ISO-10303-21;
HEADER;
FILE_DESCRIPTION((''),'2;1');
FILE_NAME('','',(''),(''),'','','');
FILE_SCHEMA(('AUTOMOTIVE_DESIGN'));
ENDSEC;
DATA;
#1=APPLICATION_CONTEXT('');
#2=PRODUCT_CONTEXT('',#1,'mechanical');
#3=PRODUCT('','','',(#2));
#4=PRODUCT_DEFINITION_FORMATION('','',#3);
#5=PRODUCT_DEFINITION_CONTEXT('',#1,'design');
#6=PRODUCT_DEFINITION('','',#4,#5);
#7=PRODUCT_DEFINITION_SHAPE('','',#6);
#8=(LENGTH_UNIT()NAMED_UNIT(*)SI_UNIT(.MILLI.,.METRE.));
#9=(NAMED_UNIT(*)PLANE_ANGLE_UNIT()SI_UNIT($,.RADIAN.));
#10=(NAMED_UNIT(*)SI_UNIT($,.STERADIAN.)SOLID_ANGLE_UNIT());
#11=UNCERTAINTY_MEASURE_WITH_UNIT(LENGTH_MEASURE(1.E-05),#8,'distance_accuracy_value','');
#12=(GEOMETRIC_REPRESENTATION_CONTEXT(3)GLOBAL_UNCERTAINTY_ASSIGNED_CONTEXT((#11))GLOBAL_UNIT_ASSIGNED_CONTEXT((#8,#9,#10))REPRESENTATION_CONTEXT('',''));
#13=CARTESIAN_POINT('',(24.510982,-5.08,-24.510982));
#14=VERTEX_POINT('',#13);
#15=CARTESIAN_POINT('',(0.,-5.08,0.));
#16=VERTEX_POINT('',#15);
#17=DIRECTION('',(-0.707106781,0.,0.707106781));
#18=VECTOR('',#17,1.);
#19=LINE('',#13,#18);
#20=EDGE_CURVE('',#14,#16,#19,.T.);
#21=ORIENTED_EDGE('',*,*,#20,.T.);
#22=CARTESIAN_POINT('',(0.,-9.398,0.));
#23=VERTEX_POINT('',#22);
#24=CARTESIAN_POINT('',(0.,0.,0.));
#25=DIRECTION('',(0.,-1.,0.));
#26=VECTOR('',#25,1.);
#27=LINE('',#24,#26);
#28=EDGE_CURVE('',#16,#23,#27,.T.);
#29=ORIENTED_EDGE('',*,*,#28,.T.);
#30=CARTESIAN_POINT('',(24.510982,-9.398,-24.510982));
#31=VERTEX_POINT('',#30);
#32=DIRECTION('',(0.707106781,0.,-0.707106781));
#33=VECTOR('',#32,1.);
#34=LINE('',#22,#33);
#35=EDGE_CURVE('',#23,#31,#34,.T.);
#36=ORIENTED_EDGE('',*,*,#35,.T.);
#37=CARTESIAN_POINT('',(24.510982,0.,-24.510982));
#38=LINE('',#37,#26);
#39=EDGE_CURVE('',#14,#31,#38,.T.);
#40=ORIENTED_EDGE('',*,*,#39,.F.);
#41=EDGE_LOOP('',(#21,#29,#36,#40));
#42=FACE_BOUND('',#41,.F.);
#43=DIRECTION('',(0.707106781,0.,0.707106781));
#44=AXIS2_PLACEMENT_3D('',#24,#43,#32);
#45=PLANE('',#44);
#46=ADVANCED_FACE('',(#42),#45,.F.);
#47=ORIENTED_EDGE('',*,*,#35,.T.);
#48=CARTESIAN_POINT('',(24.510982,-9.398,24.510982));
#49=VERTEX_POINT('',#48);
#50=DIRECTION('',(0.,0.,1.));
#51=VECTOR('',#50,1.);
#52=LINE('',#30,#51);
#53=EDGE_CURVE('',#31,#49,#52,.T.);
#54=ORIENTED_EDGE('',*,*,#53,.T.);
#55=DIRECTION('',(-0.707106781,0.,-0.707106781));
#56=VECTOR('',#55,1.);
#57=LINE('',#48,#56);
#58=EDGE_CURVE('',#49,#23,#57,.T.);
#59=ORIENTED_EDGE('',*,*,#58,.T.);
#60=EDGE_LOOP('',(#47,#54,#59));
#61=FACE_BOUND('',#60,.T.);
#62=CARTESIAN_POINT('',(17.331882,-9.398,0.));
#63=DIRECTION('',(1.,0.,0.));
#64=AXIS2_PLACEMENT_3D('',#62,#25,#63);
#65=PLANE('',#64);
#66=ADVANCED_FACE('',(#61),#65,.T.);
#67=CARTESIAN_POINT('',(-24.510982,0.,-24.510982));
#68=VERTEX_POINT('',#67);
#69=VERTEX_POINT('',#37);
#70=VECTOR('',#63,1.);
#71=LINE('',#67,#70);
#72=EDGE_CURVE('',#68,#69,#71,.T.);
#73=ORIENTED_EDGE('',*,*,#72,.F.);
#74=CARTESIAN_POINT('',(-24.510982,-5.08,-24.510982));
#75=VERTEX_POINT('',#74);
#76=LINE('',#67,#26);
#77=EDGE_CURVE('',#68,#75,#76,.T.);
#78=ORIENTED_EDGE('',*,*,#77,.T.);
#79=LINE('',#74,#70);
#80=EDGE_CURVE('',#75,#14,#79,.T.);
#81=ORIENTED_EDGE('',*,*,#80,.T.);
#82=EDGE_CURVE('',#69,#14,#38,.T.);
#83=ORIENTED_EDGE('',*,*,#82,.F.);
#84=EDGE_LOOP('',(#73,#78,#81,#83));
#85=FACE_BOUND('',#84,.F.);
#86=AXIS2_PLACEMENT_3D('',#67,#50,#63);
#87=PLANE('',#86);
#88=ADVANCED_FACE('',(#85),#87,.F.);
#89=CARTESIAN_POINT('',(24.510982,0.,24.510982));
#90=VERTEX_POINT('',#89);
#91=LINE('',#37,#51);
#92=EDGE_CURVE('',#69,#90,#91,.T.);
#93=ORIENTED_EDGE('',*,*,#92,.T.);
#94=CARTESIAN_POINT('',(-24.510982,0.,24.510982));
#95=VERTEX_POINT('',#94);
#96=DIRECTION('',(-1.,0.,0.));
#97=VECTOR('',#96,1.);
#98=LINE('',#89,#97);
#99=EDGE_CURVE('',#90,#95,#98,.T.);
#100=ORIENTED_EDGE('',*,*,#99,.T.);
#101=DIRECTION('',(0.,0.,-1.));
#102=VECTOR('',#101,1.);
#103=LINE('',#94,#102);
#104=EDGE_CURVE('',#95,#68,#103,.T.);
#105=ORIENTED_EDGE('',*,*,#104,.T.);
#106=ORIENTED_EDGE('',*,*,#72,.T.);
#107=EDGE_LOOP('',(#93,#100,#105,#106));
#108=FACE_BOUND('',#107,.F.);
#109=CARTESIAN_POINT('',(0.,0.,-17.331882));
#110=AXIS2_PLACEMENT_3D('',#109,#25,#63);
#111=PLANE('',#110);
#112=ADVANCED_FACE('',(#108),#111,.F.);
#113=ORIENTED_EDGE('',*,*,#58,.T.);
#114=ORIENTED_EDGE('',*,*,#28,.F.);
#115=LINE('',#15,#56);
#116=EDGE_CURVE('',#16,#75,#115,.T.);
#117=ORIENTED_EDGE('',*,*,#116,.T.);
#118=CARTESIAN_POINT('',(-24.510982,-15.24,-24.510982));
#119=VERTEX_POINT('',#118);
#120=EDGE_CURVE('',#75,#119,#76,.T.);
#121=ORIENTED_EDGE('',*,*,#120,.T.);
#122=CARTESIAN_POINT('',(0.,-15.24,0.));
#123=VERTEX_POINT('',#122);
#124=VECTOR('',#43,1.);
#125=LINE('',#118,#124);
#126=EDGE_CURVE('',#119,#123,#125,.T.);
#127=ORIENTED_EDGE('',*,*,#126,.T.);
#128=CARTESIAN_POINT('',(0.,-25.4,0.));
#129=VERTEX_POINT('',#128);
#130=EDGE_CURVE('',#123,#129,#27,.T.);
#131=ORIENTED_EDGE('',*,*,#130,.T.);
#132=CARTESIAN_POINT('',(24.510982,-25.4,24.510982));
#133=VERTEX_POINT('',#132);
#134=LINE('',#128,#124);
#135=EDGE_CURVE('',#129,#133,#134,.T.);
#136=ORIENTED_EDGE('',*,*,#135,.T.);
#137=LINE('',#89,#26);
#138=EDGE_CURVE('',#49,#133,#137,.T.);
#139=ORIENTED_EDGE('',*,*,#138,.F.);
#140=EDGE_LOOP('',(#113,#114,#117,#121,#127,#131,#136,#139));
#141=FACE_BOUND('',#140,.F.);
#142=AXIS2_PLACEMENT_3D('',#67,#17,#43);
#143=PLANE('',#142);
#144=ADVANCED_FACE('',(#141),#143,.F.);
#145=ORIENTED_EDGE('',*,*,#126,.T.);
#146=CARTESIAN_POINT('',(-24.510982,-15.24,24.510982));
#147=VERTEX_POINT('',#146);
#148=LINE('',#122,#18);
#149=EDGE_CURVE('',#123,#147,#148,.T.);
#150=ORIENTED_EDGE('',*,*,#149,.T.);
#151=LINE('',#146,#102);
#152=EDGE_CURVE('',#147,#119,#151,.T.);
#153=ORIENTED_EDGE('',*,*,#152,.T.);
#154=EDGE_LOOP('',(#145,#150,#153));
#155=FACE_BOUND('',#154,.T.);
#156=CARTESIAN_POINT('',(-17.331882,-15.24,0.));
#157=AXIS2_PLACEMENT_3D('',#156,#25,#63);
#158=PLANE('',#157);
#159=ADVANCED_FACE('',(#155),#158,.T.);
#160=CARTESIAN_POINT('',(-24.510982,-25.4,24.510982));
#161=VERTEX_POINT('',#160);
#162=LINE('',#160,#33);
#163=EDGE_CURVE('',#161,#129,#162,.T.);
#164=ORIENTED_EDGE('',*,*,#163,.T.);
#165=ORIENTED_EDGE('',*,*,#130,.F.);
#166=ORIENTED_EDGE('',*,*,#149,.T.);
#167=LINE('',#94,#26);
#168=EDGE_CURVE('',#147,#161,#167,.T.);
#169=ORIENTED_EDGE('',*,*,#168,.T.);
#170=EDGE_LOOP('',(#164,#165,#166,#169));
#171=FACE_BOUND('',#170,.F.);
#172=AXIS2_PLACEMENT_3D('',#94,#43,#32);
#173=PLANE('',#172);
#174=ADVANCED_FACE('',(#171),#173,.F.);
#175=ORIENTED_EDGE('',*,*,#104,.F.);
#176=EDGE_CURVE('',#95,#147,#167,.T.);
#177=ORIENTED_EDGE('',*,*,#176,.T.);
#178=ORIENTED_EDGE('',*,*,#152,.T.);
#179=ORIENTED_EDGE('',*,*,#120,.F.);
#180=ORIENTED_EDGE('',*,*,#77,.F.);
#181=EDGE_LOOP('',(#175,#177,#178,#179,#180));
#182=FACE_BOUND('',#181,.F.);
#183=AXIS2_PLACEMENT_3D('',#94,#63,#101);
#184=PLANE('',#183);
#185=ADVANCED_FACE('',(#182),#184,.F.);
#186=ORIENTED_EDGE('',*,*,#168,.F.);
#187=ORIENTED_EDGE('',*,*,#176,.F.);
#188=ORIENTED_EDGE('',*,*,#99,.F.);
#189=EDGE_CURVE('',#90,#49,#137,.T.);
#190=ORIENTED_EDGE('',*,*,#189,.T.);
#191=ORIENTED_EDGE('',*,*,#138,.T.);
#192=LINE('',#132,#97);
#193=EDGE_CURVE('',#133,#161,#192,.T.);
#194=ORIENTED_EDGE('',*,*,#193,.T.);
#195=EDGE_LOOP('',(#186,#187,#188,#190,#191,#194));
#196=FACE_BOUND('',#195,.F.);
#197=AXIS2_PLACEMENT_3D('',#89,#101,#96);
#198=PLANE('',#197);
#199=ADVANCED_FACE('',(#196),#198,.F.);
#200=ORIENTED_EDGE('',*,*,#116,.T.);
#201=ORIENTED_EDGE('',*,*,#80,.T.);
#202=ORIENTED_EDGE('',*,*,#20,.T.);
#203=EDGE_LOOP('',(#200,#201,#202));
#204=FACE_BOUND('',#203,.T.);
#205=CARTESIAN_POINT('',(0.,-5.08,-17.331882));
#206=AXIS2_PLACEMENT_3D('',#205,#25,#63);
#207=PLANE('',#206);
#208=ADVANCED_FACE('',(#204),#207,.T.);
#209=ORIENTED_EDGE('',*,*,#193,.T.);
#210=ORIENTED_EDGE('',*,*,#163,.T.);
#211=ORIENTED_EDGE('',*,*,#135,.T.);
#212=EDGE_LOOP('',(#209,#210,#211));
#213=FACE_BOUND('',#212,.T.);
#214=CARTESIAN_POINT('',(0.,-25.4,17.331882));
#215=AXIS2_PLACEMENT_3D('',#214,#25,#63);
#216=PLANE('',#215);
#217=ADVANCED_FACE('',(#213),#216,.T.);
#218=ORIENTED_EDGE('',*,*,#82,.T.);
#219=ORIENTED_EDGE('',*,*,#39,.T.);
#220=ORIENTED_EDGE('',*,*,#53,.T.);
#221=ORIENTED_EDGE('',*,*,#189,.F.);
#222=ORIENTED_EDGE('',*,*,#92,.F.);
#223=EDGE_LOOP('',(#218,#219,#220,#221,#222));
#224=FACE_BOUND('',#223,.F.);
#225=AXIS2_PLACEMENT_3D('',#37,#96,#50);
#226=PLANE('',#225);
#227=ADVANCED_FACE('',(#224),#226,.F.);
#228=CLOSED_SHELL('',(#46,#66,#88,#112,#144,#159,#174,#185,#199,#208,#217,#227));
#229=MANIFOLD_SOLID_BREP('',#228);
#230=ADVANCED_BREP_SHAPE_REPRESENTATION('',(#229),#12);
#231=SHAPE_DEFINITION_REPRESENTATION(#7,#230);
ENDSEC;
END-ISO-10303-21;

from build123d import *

# Parameters (mm, degrees)
F1_DEPTH = 25.4
F2_DEPTH = 15.24
F3_DEPTH = 9.398
F4_DEPTH = 5.08


with BuildPart() as f1:
    # F0 (on Front) → F1 (new body)
    with BuildSketch(Plane.XZ):
        Polygon((0, 0), (24.510982, 24.510982), (-24.510982, 24.510982), align=None)
    extrude(amount=F1_DEPTH)

    # F0 (on Front) → F2 (join)
    with BuildSketch(Plane.XZ):
        Polygon((-24.510982, 24.510982), (-24.510982, -24.510982), (0, 0), align=None)
    extrude(amount=F2_DEPTH)

    # F0 (on Front) → F3 (join)
    with BuildSketch(Plane.XZ):
        Polygon((0, 0), (24.510982, -24.510982), (24.510982, 24.510982), align=None)
    extrude(amount=F3_DEPTH)

    # F0 (on Front) → F4 (join)
    with BuildSketch(Plane.XZ):
        Polygon((-24.510982, -24.510982), (24.510982, -24.510982), (0, 0), align=None)
    extrude(amount=F4_DEPTH)


solid = f1.part
